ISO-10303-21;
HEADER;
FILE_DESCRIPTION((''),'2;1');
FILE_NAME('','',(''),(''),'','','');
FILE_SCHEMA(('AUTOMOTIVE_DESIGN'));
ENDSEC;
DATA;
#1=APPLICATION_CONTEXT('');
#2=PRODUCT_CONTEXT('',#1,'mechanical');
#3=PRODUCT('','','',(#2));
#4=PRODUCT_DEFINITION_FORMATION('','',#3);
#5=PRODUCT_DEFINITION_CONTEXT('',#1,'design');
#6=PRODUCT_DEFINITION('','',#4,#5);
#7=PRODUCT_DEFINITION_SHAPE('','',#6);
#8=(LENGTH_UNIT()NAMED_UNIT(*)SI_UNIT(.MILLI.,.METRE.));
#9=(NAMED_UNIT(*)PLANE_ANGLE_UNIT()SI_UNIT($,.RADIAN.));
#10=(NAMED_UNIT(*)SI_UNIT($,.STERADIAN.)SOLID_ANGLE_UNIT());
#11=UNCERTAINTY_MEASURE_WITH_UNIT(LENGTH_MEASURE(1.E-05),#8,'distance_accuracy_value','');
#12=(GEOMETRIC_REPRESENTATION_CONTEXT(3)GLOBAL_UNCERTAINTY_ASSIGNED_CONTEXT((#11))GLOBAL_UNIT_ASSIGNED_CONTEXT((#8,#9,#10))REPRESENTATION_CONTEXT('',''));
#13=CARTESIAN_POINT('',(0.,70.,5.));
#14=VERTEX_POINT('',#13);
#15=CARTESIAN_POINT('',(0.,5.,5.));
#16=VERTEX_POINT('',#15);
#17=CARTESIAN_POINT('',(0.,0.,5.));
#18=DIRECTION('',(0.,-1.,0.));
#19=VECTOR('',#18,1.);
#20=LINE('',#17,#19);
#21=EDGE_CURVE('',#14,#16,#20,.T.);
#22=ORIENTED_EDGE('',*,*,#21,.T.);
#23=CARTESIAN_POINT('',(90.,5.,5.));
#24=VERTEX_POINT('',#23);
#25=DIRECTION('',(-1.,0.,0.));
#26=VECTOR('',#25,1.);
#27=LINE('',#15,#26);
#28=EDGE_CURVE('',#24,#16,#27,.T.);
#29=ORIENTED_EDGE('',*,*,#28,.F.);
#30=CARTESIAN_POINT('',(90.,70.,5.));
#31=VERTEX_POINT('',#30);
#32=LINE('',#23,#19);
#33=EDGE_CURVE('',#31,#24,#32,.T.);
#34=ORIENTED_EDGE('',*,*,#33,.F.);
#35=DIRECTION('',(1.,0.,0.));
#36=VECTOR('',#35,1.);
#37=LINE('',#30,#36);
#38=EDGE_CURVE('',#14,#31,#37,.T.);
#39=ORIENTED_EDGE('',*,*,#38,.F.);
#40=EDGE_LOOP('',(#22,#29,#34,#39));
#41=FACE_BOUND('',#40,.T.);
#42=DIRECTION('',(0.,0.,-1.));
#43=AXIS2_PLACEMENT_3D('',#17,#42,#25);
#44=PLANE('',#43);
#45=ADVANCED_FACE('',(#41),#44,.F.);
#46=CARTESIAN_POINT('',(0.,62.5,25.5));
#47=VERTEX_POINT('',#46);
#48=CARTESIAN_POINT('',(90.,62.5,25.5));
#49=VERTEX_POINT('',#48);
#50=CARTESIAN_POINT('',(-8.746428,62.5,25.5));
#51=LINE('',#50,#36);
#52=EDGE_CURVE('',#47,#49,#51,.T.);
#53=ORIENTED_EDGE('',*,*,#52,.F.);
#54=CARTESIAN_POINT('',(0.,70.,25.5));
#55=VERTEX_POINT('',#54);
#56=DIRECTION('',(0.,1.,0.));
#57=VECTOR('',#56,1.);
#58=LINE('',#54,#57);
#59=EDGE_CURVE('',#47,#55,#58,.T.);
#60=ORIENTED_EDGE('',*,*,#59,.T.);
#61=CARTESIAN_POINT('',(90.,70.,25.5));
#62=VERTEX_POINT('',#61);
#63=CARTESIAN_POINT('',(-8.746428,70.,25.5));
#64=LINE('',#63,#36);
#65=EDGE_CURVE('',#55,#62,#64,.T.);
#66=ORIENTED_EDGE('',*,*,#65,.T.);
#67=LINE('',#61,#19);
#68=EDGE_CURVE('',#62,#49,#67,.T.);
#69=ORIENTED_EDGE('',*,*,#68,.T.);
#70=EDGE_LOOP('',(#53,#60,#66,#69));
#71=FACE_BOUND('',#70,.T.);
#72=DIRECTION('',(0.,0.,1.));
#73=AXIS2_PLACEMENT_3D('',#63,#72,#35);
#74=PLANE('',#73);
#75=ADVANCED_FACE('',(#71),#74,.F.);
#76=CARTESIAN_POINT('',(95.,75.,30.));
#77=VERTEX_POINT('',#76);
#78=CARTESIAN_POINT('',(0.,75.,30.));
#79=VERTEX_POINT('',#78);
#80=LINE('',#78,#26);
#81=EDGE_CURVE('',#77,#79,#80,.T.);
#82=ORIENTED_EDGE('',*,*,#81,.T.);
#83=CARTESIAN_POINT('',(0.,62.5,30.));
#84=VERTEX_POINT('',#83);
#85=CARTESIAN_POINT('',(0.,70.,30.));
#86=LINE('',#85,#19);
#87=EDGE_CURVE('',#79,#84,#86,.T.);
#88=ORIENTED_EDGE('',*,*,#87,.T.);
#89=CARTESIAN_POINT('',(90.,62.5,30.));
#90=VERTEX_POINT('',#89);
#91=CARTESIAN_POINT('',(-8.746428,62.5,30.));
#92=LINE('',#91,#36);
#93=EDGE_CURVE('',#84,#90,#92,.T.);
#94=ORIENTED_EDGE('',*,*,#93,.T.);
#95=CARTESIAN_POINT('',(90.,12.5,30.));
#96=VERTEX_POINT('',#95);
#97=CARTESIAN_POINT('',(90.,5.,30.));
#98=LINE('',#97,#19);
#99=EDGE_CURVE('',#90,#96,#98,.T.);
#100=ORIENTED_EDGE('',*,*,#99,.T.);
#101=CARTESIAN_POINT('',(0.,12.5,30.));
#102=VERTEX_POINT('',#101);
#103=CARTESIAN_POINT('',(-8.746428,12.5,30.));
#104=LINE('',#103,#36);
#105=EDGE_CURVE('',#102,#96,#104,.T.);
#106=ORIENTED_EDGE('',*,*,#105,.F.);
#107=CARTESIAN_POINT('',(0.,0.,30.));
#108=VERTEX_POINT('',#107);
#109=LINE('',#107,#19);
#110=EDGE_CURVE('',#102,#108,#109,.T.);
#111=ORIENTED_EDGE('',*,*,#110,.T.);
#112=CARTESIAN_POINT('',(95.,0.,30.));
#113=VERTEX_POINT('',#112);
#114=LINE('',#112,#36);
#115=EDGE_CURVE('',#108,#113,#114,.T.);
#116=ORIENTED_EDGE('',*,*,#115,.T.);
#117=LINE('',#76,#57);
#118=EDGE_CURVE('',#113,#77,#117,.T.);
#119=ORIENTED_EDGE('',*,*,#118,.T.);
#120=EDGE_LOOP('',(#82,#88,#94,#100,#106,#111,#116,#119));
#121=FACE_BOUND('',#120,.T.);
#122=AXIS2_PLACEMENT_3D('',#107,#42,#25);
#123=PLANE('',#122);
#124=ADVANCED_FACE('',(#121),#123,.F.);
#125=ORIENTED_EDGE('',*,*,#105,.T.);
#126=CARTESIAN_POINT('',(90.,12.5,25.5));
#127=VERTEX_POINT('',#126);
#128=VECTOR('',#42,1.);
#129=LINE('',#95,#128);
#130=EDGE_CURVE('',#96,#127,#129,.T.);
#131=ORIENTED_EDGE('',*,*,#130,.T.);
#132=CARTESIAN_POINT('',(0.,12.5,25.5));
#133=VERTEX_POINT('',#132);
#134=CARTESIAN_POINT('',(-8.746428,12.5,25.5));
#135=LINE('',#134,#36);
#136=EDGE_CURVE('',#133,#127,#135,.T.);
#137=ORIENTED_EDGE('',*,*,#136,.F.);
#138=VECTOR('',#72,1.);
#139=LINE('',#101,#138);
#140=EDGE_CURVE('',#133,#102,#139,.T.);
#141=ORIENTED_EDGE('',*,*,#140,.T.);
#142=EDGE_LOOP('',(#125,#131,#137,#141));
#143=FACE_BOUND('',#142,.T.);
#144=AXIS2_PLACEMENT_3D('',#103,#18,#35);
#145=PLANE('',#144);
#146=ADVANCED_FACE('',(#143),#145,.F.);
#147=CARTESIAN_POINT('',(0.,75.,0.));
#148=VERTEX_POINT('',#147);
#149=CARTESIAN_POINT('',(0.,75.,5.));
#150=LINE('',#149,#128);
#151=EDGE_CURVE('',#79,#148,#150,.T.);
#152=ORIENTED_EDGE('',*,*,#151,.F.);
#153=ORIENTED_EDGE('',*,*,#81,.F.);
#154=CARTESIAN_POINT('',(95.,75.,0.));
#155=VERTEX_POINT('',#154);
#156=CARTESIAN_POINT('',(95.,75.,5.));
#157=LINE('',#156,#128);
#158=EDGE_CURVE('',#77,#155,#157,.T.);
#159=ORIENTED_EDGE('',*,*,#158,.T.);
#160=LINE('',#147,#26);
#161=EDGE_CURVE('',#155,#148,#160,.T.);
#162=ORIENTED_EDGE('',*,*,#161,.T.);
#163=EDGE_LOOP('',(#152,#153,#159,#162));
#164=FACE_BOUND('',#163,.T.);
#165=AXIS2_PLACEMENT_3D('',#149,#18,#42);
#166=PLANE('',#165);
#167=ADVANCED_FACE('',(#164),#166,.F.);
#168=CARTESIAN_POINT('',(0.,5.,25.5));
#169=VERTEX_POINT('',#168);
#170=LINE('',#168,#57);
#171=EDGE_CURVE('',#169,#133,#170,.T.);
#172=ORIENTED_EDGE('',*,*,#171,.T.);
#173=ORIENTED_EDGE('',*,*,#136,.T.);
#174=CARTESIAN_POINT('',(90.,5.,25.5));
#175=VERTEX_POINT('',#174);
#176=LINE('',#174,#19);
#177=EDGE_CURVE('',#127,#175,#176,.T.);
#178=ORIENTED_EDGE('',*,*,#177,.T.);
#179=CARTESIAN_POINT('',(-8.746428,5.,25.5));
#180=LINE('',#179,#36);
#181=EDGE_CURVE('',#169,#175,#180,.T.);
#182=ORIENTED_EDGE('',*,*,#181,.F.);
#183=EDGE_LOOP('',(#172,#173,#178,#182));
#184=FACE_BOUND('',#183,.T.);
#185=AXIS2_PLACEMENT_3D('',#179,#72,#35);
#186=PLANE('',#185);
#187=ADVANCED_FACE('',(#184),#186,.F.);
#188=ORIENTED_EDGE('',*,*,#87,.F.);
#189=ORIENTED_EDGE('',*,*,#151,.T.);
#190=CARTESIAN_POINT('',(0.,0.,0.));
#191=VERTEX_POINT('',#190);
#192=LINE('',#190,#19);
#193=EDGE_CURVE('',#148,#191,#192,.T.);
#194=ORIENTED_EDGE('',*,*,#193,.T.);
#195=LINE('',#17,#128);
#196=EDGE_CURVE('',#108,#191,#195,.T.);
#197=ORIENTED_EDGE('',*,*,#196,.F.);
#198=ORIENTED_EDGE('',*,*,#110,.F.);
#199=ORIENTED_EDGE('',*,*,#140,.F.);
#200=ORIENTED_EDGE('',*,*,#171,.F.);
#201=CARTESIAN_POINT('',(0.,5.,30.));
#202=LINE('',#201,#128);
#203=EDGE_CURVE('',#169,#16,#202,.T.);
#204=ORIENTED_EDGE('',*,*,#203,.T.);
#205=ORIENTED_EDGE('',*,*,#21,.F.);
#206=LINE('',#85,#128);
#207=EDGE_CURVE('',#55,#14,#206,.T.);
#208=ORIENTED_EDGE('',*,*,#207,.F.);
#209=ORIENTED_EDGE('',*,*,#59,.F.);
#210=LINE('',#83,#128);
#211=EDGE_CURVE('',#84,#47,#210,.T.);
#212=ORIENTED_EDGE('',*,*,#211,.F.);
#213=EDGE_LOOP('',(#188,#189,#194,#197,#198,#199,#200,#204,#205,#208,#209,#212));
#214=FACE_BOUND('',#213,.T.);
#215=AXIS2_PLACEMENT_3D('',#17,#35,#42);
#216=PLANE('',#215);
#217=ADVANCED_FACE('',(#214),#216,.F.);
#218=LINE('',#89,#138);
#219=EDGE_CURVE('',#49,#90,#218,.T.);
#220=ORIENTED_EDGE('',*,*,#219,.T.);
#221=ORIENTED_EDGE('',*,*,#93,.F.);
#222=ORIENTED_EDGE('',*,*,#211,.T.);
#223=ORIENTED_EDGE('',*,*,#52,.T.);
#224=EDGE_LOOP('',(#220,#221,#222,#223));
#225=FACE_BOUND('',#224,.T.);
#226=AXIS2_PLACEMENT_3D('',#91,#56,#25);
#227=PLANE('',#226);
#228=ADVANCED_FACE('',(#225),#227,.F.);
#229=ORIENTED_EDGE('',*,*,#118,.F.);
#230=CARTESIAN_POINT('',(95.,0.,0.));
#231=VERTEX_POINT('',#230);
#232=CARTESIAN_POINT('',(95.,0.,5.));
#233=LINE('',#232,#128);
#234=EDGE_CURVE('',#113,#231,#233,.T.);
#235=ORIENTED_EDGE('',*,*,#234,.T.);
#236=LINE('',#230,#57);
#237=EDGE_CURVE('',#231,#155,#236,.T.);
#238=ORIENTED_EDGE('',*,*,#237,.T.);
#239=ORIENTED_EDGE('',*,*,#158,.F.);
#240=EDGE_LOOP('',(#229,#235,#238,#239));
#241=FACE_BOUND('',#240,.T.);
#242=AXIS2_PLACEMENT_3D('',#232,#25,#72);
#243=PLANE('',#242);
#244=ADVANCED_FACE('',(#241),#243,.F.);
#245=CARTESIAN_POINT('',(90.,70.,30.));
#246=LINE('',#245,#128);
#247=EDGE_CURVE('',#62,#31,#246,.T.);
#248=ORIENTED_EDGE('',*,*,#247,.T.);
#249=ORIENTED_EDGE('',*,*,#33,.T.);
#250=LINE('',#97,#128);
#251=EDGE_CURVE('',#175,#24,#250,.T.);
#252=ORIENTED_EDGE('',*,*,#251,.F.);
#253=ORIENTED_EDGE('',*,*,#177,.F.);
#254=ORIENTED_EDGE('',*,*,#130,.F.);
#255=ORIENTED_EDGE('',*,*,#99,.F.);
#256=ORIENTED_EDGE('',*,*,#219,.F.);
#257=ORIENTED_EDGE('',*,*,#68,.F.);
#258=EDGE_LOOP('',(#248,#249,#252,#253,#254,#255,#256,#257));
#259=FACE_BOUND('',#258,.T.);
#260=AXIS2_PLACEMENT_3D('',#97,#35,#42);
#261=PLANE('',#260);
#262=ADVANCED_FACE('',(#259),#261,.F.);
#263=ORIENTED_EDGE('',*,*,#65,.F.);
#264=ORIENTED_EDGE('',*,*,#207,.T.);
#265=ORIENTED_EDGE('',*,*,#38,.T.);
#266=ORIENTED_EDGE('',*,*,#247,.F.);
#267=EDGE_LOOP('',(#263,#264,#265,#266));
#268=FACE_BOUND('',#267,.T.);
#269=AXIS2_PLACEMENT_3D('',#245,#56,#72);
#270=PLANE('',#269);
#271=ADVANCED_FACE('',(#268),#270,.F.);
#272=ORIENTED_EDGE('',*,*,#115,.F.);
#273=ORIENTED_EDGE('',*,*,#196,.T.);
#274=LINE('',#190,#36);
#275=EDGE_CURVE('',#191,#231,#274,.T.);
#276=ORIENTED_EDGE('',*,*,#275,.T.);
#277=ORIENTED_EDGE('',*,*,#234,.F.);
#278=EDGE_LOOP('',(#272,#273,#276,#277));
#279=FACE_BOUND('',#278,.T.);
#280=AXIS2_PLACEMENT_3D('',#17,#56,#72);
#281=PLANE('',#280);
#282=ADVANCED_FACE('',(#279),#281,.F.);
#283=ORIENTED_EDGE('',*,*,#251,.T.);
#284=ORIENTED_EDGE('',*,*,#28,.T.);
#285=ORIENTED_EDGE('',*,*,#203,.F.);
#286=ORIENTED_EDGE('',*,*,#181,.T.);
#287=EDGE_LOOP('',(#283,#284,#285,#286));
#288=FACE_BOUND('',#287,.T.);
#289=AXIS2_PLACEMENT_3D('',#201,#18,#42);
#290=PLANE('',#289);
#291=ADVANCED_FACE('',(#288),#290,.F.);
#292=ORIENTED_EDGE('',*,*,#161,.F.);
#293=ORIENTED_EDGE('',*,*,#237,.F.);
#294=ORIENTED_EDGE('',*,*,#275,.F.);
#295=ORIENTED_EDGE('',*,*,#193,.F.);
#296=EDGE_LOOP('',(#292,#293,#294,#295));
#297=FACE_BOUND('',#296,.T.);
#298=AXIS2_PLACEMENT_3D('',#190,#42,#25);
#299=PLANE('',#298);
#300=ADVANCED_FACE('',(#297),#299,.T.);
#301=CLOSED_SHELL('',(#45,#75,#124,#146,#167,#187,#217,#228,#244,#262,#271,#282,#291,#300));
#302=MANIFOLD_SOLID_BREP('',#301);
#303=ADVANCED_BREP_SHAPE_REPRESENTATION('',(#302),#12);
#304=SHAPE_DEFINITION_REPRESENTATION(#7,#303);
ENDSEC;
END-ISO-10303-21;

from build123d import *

# Parameters (mm, degrees)
ESQUISSE1_W        = 95
ESQUISSE1_H        = 75
BOSS_EXTRU_1_DEPTH = 5
BOSS_EXTRU_2_DEPTH = 25
ESQUISSE3_W        = 4.5
ESQUISSE3_H        = 7.5
BOSS_EXTRU_3_DEPTH = 90


with BuildPart() as part:
    # Esquisse1 → Boss.-Extru.1 (new body)
    with BuildSketch(Plane.XY):
        with Locations((47.5, 37.5)):
            Rectangle(ESQUISSE1_W, ESQUISSE1_H)
    extrude(amount=BOSS_EXTRU_1_DEPTH)

    # Esquisse2 → Boss.-Extru.2 (add)
    with BuildSketch(Plane.XY.offset(5)):
        Polygon((0, 70), (0, 75), (95, 75), (95, 0), (0, 0), (0, 5), (90, 5), (90, 70), align=None)
    extrude(amount=BOSS_EXTRU_2_DEPTH)

    # Esquisse3 → Boss.-Extru.3 (add)
    with BuildSketch(Plane.ZY.offset(-90)):
        with Locations((27.75, 66.25)):
            Rectangle(ESQUISSE3_W, ESQUISSE3_H)
        with Locations((27.75, 8.75)):
            Rectangle(ESQUISSE3_W, ESQUISSE3_H)
    extrude(amount=BOSS_EXTRU_3_DEPTH)


solid = part.part
